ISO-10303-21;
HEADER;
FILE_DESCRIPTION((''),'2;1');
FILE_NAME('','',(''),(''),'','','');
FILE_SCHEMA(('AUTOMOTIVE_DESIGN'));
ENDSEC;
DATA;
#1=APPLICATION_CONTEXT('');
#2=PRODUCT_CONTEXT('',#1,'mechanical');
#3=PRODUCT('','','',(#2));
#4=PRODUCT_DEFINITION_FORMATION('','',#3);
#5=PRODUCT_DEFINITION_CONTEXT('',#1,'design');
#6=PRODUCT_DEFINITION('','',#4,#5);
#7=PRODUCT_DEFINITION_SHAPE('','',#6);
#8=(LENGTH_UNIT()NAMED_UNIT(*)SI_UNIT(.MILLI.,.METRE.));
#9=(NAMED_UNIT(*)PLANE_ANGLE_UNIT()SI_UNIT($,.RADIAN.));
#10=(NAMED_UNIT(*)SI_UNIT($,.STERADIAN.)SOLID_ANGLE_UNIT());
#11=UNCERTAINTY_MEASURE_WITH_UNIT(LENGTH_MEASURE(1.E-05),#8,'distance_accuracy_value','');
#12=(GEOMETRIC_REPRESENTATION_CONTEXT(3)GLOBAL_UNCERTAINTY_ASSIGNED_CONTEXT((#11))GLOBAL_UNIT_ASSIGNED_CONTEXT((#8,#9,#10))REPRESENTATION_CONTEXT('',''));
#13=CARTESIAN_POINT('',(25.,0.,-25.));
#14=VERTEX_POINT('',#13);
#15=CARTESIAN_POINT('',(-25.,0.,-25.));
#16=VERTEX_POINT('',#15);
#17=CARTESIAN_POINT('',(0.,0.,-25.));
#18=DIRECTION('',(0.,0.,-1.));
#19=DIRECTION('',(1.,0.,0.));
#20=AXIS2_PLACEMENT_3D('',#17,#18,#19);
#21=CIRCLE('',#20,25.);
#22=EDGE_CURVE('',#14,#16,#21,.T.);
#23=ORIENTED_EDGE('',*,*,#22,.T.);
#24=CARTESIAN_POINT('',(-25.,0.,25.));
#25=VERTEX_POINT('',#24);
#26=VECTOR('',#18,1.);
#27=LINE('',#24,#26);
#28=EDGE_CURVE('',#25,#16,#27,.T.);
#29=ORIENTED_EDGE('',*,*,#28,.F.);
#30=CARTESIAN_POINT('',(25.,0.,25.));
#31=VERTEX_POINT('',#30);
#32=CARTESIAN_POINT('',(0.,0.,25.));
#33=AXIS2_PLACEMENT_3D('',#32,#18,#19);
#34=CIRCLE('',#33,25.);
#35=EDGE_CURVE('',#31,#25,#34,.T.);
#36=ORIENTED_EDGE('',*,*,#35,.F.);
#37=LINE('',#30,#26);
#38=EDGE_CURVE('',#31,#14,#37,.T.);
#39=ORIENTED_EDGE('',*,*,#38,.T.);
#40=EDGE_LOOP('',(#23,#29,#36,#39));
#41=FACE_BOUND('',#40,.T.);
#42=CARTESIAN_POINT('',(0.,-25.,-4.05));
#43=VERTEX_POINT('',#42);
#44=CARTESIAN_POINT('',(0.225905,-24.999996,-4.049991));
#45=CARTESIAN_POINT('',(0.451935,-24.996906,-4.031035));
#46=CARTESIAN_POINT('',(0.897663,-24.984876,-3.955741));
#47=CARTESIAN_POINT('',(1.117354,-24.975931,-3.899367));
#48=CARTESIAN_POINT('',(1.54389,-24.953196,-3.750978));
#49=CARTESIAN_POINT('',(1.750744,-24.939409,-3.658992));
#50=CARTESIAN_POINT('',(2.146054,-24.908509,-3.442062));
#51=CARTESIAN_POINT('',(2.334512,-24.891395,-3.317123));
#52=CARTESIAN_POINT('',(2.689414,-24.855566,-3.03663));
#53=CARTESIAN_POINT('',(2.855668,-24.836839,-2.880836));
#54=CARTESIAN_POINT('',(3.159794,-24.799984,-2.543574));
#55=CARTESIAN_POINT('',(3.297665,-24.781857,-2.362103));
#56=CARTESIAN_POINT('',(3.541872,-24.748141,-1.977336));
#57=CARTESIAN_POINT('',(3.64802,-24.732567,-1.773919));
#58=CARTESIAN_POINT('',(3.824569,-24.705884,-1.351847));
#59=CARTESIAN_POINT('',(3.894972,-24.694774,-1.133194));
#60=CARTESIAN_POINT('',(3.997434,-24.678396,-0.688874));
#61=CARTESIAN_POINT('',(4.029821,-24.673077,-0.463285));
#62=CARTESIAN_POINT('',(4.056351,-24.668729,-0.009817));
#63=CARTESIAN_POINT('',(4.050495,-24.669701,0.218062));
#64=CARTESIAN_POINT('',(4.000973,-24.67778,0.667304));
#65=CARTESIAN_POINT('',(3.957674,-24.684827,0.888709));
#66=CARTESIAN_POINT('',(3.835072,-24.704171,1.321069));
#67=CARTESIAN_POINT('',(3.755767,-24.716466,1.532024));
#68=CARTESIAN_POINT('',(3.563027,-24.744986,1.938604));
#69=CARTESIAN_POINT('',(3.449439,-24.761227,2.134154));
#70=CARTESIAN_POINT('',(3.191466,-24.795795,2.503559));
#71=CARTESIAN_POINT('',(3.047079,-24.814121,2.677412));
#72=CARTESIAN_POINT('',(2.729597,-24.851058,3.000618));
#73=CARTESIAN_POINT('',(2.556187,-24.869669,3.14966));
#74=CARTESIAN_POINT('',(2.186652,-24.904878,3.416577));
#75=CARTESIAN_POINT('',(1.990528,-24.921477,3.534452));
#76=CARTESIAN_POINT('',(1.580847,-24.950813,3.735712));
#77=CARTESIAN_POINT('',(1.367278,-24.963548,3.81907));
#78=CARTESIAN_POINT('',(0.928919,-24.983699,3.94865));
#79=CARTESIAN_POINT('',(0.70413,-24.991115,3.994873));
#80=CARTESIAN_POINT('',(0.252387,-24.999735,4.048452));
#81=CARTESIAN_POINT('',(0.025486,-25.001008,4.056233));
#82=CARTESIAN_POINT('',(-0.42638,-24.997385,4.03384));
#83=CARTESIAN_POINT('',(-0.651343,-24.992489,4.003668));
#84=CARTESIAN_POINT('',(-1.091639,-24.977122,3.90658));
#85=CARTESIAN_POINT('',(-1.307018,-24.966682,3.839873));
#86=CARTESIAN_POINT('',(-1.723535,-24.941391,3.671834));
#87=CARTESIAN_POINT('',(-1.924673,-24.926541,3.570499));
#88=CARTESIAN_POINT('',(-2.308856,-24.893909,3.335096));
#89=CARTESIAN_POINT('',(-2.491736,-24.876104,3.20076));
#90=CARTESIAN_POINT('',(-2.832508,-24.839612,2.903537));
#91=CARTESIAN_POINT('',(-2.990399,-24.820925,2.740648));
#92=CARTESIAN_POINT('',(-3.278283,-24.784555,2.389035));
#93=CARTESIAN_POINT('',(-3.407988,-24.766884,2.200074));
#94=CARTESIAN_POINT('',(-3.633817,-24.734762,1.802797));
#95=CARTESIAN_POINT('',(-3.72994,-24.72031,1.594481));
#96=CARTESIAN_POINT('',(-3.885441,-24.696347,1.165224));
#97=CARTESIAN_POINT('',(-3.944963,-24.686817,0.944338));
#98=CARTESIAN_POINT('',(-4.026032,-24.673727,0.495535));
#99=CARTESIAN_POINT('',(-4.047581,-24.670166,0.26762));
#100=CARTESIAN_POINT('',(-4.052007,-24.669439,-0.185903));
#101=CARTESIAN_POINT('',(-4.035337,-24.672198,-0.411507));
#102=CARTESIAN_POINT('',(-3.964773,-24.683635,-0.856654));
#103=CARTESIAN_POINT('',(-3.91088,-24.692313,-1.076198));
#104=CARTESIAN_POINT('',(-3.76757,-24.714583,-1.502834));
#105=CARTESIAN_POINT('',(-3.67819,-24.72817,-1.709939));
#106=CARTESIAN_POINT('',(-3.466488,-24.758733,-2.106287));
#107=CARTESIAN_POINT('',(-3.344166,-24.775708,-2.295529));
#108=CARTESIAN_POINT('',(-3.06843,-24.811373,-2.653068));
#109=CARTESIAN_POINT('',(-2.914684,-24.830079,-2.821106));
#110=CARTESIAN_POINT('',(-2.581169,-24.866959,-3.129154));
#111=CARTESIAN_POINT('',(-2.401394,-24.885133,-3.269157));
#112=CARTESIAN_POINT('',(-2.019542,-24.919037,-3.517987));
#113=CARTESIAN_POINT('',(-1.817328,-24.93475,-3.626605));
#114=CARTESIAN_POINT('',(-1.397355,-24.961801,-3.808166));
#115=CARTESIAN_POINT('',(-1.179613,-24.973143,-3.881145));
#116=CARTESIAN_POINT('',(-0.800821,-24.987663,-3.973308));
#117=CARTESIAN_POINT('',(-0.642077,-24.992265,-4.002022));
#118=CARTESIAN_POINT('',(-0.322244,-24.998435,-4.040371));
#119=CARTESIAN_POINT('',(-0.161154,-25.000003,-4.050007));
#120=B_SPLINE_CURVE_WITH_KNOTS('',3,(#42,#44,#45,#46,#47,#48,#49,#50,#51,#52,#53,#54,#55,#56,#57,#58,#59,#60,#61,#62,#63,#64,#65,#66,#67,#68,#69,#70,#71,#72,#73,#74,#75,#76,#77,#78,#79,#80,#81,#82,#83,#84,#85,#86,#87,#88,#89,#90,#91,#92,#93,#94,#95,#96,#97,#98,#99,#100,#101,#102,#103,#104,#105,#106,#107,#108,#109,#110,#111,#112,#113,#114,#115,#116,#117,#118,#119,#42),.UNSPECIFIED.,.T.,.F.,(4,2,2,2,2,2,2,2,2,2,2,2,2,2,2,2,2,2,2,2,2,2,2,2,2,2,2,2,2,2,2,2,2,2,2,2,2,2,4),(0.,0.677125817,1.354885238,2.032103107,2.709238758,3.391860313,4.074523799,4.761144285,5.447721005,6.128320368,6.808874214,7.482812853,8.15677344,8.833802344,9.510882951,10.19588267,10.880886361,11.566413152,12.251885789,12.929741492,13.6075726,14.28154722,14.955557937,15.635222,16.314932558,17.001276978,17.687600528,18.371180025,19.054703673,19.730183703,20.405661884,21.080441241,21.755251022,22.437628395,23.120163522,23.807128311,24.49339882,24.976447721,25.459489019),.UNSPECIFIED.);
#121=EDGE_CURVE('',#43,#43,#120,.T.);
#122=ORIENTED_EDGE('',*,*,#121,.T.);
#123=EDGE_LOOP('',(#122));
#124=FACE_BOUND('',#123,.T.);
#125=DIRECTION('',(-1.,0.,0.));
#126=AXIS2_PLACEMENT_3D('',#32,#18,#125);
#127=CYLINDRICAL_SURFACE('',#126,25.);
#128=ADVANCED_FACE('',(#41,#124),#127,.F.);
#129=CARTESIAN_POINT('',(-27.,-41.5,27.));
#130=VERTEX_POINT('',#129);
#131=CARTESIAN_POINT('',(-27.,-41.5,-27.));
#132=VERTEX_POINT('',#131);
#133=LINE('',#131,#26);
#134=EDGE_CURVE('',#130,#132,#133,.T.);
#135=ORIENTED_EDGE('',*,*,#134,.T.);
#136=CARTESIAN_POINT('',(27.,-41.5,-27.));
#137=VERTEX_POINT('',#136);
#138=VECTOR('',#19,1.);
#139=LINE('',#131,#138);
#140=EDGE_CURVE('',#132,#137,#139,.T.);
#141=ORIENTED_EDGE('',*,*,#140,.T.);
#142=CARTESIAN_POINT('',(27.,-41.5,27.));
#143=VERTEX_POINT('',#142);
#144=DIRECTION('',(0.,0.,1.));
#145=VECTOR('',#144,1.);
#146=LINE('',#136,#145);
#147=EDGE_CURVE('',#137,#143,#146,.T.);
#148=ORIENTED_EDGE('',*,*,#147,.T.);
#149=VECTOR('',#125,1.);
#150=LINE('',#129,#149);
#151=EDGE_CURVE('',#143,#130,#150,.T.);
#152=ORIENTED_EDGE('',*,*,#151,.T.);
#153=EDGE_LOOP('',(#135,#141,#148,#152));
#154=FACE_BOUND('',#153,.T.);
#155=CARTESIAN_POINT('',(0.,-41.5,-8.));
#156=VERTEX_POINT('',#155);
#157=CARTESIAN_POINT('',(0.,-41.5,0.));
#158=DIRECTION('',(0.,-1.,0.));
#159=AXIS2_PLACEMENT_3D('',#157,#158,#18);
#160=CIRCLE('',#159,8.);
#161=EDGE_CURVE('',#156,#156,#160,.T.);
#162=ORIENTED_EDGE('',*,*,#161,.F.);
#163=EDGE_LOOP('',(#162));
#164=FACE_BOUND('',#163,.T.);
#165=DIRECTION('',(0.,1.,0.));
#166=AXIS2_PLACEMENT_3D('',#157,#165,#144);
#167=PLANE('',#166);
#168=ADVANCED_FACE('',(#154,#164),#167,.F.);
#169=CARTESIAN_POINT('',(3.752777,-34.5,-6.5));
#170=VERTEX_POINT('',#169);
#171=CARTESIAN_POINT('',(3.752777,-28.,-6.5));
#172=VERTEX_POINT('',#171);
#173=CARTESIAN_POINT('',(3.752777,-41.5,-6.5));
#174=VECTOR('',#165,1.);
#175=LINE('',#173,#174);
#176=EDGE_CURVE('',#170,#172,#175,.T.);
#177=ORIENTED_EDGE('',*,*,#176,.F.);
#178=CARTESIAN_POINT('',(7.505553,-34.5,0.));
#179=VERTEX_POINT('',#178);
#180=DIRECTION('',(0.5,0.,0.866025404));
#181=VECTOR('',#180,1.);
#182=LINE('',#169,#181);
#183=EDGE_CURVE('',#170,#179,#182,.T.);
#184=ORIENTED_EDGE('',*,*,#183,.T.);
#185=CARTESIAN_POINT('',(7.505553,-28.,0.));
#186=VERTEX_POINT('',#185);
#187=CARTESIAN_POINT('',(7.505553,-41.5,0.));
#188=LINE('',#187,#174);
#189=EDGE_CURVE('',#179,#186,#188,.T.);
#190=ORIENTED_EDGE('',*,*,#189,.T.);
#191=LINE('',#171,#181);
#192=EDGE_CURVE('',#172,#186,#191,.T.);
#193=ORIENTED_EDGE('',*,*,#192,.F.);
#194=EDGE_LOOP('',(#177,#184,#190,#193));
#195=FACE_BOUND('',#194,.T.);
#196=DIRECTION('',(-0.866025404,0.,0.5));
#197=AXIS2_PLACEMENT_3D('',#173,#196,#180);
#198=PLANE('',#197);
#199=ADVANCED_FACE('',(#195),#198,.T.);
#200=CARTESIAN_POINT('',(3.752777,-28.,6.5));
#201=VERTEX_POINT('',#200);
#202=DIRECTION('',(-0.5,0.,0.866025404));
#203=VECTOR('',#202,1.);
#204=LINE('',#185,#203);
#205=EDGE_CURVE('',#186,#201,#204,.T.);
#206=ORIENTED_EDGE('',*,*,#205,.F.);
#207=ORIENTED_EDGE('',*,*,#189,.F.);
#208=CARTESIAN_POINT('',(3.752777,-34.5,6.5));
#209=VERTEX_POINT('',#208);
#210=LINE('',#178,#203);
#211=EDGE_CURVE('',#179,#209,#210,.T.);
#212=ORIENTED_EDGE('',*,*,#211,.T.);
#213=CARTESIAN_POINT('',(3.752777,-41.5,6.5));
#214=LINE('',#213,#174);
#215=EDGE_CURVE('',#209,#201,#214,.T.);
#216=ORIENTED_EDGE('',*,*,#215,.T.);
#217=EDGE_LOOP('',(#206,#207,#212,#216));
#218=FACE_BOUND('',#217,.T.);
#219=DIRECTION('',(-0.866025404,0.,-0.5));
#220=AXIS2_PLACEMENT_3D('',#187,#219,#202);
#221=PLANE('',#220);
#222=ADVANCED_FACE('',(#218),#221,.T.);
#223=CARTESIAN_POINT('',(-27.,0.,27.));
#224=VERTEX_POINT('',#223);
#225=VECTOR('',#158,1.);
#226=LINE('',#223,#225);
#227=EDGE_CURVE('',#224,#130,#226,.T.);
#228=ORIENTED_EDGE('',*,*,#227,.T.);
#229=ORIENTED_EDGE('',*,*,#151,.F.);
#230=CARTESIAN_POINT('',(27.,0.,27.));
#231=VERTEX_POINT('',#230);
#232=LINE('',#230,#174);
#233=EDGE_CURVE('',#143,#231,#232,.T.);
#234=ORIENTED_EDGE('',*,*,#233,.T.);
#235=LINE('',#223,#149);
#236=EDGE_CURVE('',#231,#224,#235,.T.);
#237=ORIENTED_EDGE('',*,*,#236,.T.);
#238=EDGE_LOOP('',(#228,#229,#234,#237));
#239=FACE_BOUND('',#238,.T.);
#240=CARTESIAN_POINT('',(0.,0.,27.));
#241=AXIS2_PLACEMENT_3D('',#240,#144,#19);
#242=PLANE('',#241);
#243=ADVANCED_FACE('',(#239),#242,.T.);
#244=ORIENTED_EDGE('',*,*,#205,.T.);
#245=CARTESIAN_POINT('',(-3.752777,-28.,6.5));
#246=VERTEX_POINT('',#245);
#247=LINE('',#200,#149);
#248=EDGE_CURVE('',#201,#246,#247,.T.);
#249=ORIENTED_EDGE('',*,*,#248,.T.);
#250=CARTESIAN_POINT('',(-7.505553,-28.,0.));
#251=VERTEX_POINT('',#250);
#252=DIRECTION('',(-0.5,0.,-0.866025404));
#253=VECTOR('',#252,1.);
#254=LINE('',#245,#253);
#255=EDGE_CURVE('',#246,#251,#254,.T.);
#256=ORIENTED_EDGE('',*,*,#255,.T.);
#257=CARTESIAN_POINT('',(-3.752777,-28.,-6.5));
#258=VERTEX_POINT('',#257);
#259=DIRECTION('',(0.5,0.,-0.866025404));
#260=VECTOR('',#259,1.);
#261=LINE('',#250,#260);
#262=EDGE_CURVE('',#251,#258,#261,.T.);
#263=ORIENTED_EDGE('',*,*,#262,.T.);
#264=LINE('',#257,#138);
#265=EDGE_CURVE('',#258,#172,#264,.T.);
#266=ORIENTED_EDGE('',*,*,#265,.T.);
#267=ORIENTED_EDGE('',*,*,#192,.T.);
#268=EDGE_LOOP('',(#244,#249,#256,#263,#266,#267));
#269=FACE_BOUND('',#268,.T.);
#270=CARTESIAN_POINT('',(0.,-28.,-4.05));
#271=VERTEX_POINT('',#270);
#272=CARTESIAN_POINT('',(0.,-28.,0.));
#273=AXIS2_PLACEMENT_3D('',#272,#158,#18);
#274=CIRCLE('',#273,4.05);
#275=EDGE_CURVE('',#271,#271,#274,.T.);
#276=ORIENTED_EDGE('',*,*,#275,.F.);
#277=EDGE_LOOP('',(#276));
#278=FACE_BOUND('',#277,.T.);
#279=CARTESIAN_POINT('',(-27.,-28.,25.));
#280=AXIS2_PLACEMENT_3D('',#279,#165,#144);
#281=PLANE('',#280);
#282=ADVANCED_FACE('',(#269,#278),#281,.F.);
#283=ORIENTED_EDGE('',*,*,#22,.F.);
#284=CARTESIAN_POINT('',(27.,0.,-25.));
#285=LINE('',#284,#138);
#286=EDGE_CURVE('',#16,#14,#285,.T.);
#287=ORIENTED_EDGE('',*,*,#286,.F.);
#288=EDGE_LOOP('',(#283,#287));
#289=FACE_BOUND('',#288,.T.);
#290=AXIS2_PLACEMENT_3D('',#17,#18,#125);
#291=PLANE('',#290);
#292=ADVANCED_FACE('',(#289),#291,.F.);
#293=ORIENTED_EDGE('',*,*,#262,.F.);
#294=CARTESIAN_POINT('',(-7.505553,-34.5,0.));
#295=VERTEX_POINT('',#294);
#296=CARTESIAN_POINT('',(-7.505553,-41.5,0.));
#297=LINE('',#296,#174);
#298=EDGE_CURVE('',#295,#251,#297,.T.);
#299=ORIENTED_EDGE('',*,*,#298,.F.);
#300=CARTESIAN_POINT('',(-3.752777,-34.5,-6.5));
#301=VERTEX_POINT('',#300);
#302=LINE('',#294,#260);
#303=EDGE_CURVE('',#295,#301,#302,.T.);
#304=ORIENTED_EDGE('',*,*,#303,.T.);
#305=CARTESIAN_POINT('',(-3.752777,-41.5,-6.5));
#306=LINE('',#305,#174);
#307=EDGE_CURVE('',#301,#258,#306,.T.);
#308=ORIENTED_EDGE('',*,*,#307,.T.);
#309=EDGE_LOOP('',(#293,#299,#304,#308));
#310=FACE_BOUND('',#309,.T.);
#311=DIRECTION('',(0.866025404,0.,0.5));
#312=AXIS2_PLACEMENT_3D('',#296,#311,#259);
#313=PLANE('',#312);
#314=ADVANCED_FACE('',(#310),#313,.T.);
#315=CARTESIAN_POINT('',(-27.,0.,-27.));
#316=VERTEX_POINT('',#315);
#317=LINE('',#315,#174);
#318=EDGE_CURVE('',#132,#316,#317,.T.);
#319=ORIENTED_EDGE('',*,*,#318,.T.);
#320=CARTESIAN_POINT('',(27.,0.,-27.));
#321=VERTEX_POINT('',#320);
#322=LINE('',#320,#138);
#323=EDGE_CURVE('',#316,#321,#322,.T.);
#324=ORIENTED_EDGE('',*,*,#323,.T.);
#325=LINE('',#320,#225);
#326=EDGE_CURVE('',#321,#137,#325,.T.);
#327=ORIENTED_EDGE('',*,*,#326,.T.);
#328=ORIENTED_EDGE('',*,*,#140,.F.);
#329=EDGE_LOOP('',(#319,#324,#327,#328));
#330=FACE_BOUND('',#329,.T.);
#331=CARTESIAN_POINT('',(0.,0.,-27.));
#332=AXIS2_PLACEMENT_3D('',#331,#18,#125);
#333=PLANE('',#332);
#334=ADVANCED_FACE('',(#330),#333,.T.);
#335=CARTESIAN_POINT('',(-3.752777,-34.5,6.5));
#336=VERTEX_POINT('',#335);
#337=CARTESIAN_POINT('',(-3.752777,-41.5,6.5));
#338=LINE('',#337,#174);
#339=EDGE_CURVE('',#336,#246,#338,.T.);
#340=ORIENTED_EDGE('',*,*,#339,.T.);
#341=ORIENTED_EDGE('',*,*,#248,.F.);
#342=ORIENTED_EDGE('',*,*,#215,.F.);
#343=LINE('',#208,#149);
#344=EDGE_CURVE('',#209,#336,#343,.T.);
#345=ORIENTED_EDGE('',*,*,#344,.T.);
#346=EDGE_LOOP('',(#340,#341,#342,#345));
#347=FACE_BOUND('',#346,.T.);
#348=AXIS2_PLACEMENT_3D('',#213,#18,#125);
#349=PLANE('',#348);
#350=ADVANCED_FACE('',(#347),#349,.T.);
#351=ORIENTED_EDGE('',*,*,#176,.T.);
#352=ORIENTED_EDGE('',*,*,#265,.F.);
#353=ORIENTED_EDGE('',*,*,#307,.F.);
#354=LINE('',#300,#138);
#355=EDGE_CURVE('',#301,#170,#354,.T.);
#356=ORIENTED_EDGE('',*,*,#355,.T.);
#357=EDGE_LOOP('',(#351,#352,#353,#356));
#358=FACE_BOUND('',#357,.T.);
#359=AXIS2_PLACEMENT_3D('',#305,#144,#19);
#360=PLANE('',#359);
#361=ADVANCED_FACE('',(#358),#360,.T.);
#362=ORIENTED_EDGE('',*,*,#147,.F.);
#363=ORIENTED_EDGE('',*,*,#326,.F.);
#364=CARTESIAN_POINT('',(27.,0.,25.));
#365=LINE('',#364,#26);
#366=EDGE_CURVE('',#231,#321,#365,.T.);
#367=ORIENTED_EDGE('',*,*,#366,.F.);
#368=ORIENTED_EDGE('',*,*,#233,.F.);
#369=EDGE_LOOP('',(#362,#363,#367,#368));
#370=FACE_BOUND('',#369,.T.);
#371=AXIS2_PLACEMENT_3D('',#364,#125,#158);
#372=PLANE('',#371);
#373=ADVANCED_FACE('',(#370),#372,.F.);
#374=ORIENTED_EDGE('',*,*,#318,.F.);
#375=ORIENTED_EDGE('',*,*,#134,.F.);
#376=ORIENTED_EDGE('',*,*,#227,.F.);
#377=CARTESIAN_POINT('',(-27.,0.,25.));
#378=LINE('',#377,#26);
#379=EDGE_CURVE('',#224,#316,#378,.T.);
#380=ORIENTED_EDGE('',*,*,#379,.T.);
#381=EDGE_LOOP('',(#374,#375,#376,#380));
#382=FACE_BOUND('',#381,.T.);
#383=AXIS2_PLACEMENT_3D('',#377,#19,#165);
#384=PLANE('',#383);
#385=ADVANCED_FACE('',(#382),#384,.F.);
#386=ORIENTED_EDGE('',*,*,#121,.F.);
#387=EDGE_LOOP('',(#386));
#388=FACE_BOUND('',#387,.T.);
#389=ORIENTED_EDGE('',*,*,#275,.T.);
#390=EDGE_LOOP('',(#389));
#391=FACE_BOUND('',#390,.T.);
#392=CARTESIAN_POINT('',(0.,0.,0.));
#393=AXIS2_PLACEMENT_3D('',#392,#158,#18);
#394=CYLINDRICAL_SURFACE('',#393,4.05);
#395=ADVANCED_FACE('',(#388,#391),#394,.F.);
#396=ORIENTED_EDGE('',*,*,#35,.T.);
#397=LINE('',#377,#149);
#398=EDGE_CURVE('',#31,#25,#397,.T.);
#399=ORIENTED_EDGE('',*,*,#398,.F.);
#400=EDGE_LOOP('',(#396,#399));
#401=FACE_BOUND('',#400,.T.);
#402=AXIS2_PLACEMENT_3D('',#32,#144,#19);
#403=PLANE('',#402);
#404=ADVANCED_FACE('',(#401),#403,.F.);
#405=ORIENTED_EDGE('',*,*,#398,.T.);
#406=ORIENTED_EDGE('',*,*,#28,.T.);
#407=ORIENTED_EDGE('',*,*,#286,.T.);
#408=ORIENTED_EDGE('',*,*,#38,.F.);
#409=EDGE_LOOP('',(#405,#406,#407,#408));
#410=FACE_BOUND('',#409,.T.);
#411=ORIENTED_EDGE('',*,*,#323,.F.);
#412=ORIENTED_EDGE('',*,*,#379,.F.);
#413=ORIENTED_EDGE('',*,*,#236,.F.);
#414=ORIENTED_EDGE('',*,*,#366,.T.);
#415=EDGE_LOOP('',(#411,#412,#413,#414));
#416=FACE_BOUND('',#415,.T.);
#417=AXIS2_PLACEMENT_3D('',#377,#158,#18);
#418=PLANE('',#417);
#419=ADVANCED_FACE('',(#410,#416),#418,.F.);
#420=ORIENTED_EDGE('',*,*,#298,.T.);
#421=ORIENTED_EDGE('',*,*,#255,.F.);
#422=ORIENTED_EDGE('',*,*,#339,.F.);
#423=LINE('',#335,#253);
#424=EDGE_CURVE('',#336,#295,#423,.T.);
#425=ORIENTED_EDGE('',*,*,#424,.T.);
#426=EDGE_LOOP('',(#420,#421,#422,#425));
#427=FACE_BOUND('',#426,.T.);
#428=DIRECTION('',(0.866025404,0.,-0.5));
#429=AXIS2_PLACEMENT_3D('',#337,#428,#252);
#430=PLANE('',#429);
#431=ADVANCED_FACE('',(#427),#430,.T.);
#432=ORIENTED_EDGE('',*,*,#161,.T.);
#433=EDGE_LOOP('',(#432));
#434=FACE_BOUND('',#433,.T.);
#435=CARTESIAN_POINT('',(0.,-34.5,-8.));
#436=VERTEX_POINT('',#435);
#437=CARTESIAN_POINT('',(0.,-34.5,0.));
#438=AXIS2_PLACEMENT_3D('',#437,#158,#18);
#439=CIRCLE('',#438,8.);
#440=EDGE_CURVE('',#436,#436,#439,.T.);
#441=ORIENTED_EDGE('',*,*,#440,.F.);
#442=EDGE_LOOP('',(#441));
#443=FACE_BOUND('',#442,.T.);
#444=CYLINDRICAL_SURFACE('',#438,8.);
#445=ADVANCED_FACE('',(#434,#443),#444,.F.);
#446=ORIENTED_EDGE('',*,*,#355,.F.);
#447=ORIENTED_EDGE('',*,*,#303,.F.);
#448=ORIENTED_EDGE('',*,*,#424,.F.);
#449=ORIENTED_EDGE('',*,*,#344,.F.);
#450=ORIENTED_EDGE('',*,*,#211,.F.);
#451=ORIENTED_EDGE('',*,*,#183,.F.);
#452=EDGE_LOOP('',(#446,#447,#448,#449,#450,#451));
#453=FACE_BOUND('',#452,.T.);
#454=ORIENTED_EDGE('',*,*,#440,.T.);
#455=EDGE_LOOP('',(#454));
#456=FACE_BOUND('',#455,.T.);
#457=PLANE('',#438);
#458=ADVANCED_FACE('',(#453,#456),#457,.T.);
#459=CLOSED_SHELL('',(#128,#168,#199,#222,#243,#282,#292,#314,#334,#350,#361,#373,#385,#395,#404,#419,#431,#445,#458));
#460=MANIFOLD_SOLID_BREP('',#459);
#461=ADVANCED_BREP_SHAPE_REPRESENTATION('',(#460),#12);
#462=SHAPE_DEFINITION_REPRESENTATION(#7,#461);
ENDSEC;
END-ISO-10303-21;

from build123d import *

# Parameters (mm, degrees)
BOSS_EXTRUDE1_DEPTH = 25
SKETCH2_W           = 54
SKETCH2_H           = 28
BOSS_EXTRUDE2_DEPTH = 2
SKETCH3_W           = 54
SKETCH3_H           = 28
BOSS_EXTRUDE3_DEPTH = 2
SKETCH4_R           = 4.05
CUT_EXTRUDE2_DEPTH  = 48.349762407
SKETCH5_W           = 54
SKETCH5_H           = 54
BOSS_EXTRUDE4_DEPTH = 13.5
SKETCH6_R           = 8
CUT_EXTRUDE3_DEPTH  = 7


with BuildPart() as part:
    # Sketch1 → Boss-Extrude1 (new, symmetric)
    with BuildSketch(Plane.XY):
        with BuildLine():
            Line((25, 0), (27, 0))
            Line((27, 0), (27, -28))
            Line((27, -28), (-27, -28))
            Line((-27, -28), (-27, 0))
            Line((-27, 0), (-25, 0))
            ThreePointArc((-25, 0), (0, -25), (25, 0))
        make_face()
    extrude(amount=BOSS_EXTRUDE1_DEPTH, both=True)

    # Sketch2 → Boss-Extrude2 (add)
    with BuildSketch(Plane.XY.offset(25)):
        with Locations((0, -14)):
            Rectangle(SKETCH2_W, SKETCH2_H)
    extrude(amount=BOSS_EXTRUDE2_DEPTH)

    # Sketch3 → Boss-Extrude3 (add)
    with BuildSketch(Plane(origin=(0, 0, -25), x_dir=(-1, 0, 0), z_dir=(0, 0, -1))):
        with Locations((0, -14)):
            Rectangle(SKETCH3_W, SKETCH3_H)
    extrude(amount=BOSS_EXTRUDE3_DEPTH)

    # Sketch4 → Cut-Extrude2 (cut, through all)
    with BuildSketch(Plane.XZ.offset(28)):
        with Locations(Location((0, 0, 0), (0, 0, 270))):
            Circle(SKETCH4_R)
    extrude(amount=-CUT_EXTRUDE2_DEPTH, mode=Mode.SUBTRACT)

    # Sketch5 → Boss-Extrude4 (add)
    with BuildSketch(Plane.XZ.offset(28)):
        Rectangle(SKETCH5_W, SKETCH5_H)
        Polygon((-7.505553499, 0), (-3.75277675, -6.5), (3.75277675, -6.5), (7.505553499, 0), (3.75277675, 6.5), (-3.75277675, 6.5), align=None, mode=Mode.SUBTRACT)
    extrude(amount=BOSS_EXTRUDE4_DEPTH)

    # Sketch6 → Cut-Extrude3 (cut)
    with BuildSketch(Plane.XZ.offset(41.5)):
        with Locations(Location((0, 0, 0), (0, 0, 270))):
            Circle(SKETCH6_R)
    extrude(amount=-CUT_EXTRUDE3_DEPTH, mode=Mode.SUBTRACT)


solid = part.part
